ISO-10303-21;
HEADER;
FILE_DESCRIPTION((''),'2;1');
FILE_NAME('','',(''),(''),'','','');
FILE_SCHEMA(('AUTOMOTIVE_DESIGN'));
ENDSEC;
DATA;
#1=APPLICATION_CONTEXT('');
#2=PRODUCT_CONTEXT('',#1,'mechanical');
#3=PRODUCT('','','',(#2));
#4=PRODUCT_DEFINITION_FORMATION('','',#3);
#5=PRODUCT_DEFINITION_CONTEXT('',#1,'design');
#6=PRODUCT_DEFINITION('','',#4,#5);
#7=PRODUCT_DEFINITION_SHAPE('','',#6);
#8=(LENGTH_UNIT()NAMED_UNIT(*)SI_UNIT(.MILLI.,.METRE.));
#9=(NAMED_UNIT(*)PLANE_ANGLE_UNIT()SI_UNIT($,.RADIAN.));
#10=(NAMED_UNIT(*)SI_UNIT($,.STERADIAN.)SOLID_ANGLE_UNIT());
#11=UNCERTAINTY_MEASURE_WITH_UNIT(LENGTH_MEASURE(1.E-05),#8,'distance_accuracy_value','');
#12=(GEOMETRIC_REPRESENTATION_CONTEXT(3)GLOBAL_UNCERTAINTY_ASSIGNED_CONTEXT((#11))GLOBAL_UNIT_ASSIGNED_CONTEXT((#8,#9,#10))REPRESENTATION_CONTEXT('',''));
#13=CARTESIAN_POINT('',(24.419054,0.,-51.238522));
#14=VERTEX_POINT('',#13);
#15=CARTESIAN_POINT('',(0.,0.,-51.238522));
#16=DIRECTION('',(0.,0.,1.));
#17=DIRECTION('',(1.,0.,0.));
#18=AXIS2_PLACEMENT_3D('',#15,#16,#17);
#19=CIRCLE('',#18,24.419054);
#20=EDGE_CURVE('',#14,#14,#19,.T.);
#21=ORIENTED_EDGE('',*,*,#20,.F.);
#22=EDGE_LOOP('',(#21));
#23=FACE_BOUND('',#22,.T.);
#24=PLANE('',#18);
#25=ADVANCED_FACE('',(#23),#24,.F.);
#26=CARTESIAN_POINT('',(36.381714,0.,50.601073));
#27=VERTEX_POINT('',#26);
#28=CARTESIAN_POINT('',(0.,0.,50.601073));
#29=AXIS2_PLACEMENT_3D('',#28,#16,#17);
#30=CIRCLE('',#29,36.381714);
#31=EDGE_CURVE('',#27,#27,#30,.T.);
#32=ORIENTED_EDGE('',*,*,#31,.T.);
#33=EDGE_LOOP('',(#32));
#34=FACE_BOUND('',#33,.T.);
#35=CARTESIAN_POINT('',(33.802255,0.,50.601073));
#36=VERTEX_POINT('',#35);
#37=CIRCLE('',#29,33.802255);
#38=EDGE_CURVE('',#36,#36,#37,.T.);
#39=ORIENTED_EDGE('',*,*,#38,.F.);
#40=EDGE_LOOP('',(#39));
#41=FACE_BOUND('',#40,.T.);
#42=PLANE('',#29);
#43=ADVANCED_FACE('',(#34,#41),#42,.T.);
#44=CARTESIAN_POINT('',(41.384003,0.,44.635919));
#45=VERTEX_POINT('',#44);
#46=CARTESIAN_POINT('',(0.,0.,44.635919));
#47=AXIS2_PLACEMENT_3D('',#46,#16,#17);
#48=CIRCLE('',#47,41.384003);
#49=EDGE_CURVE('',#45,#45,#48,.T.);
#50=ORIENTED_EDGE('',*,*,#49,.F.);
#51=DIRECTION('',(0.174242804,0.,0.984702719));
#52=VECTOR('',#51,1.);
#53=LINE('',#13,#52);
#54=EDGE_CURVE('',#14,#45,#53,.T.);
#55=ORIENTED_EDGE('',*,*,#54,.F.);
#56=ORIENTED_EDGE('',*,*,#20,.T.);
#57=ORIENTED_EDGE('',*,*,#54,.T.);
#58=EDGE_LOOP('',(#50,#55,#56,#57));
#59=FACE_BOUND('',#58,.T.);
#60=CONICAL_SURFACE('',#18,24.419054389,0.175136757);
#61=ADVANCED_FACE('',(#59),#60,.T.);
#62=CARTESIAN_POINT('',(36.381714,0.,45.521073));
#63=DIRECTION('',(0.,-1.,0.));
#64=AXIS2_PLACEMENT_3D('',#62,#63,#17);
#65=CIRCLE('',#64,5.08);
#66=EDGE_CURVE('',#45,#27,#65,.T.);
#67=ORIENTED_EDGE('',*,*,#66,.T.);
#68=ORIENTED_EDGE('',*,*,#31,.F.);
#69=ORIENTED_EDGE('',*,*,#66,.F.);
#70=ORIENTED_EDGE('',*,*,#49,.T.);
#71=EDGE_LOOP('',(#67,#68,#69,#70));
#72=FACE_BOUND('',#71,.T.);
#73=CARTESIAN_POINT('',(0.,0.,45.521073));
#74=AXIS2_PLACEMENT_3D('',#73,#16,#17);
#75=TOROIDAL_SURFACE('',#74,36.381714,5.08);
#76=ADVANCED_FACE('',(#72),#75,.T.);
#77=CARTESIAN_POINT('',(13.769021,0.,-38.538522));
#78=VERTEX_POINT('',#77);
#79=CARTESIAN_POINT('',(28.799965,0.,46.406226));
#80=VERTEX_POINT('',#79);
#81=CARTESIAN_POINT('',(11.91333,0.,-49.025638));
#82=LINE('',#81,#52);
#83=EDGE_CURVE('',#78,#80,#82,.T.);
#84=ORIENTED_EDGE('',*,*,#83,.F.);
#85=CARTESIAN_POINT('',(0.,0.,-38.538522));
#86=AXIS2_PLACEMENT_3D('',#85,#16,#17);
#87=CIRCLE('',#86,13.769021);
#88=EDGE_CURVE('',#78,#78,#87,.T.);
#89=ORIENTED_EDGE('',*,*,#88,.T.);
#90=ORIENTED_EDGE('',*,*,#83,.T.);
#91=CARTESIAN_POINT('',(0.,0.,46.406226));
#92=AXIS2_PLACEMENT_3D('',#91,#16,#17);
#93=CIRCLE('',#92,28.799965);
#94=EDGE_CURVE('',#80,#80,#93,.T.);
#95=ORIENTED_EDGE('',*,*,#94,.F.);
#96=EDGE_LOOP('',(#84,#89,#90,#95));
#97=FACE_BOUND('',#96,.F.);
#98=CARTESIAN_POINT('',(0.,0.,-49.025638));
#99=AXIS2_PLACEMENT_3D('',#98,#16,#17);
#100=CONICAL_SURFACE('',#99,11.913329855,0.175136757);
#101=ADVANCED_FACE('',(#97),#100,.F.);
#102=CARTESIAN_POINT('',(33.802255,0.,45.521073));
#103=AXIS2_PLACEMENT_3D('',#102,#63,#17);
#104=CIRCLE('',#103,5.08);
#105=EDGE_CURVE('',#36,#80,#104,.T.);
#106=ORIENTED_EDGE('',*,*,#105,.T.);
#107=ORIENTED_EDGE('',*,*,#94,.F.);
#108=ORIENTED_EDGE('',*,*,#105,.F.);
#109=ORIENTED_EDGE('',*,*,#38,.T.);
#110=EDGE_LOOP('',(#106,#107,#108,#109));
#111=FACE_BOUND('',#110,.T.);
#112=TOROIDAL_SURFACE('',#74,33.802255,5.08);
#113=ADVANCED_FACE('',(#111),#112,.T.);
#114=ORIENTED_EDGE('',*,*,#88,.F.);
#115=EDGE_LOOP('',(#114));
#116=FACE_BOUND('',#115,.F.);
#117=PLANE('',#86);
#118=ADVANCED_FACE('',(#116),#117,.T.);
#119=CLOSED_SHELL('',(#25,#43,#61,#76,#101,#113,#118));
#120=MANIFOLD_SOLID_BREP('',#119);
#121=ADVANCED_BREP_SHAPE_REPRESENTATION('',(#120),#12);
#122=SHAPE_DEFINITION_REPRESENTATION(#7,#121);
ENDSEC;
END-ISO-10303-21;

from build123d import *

# Parameters (mm, degrees)
F0_T = -12.7
F1_R = 5.08


with BuildPart() as f3:
    # F2 (on Front) → F3 (revolve)
    with BuildSketch(Plane.XZ):
        Polygon((42.4395352602, 50.6010726094), (0, 50.6010726094), (0, -51.2385219336), (24.419054389, -51.2385219336), align=None)
    revolve(axis=Axis((0, 0, -0.3187246621), (0, 0, 1)))

    # F0
    f0_openings = [f3.faces().sort_by_distance(p)[0] for p in [
        (0, 0, 50.601073),
    ]]
    offset(amount=F0_T, openings=f0_openings)

    # F1
    f1_edges = [f3.edges().sort_by_distance(p)[0] for p in [
        (-42.439535, 0, 50.601073),
        (-29.542242, 0, 50.601073),
    ]]
    fillet(f1_edges, radius=F1_R)


solid = f3.part
